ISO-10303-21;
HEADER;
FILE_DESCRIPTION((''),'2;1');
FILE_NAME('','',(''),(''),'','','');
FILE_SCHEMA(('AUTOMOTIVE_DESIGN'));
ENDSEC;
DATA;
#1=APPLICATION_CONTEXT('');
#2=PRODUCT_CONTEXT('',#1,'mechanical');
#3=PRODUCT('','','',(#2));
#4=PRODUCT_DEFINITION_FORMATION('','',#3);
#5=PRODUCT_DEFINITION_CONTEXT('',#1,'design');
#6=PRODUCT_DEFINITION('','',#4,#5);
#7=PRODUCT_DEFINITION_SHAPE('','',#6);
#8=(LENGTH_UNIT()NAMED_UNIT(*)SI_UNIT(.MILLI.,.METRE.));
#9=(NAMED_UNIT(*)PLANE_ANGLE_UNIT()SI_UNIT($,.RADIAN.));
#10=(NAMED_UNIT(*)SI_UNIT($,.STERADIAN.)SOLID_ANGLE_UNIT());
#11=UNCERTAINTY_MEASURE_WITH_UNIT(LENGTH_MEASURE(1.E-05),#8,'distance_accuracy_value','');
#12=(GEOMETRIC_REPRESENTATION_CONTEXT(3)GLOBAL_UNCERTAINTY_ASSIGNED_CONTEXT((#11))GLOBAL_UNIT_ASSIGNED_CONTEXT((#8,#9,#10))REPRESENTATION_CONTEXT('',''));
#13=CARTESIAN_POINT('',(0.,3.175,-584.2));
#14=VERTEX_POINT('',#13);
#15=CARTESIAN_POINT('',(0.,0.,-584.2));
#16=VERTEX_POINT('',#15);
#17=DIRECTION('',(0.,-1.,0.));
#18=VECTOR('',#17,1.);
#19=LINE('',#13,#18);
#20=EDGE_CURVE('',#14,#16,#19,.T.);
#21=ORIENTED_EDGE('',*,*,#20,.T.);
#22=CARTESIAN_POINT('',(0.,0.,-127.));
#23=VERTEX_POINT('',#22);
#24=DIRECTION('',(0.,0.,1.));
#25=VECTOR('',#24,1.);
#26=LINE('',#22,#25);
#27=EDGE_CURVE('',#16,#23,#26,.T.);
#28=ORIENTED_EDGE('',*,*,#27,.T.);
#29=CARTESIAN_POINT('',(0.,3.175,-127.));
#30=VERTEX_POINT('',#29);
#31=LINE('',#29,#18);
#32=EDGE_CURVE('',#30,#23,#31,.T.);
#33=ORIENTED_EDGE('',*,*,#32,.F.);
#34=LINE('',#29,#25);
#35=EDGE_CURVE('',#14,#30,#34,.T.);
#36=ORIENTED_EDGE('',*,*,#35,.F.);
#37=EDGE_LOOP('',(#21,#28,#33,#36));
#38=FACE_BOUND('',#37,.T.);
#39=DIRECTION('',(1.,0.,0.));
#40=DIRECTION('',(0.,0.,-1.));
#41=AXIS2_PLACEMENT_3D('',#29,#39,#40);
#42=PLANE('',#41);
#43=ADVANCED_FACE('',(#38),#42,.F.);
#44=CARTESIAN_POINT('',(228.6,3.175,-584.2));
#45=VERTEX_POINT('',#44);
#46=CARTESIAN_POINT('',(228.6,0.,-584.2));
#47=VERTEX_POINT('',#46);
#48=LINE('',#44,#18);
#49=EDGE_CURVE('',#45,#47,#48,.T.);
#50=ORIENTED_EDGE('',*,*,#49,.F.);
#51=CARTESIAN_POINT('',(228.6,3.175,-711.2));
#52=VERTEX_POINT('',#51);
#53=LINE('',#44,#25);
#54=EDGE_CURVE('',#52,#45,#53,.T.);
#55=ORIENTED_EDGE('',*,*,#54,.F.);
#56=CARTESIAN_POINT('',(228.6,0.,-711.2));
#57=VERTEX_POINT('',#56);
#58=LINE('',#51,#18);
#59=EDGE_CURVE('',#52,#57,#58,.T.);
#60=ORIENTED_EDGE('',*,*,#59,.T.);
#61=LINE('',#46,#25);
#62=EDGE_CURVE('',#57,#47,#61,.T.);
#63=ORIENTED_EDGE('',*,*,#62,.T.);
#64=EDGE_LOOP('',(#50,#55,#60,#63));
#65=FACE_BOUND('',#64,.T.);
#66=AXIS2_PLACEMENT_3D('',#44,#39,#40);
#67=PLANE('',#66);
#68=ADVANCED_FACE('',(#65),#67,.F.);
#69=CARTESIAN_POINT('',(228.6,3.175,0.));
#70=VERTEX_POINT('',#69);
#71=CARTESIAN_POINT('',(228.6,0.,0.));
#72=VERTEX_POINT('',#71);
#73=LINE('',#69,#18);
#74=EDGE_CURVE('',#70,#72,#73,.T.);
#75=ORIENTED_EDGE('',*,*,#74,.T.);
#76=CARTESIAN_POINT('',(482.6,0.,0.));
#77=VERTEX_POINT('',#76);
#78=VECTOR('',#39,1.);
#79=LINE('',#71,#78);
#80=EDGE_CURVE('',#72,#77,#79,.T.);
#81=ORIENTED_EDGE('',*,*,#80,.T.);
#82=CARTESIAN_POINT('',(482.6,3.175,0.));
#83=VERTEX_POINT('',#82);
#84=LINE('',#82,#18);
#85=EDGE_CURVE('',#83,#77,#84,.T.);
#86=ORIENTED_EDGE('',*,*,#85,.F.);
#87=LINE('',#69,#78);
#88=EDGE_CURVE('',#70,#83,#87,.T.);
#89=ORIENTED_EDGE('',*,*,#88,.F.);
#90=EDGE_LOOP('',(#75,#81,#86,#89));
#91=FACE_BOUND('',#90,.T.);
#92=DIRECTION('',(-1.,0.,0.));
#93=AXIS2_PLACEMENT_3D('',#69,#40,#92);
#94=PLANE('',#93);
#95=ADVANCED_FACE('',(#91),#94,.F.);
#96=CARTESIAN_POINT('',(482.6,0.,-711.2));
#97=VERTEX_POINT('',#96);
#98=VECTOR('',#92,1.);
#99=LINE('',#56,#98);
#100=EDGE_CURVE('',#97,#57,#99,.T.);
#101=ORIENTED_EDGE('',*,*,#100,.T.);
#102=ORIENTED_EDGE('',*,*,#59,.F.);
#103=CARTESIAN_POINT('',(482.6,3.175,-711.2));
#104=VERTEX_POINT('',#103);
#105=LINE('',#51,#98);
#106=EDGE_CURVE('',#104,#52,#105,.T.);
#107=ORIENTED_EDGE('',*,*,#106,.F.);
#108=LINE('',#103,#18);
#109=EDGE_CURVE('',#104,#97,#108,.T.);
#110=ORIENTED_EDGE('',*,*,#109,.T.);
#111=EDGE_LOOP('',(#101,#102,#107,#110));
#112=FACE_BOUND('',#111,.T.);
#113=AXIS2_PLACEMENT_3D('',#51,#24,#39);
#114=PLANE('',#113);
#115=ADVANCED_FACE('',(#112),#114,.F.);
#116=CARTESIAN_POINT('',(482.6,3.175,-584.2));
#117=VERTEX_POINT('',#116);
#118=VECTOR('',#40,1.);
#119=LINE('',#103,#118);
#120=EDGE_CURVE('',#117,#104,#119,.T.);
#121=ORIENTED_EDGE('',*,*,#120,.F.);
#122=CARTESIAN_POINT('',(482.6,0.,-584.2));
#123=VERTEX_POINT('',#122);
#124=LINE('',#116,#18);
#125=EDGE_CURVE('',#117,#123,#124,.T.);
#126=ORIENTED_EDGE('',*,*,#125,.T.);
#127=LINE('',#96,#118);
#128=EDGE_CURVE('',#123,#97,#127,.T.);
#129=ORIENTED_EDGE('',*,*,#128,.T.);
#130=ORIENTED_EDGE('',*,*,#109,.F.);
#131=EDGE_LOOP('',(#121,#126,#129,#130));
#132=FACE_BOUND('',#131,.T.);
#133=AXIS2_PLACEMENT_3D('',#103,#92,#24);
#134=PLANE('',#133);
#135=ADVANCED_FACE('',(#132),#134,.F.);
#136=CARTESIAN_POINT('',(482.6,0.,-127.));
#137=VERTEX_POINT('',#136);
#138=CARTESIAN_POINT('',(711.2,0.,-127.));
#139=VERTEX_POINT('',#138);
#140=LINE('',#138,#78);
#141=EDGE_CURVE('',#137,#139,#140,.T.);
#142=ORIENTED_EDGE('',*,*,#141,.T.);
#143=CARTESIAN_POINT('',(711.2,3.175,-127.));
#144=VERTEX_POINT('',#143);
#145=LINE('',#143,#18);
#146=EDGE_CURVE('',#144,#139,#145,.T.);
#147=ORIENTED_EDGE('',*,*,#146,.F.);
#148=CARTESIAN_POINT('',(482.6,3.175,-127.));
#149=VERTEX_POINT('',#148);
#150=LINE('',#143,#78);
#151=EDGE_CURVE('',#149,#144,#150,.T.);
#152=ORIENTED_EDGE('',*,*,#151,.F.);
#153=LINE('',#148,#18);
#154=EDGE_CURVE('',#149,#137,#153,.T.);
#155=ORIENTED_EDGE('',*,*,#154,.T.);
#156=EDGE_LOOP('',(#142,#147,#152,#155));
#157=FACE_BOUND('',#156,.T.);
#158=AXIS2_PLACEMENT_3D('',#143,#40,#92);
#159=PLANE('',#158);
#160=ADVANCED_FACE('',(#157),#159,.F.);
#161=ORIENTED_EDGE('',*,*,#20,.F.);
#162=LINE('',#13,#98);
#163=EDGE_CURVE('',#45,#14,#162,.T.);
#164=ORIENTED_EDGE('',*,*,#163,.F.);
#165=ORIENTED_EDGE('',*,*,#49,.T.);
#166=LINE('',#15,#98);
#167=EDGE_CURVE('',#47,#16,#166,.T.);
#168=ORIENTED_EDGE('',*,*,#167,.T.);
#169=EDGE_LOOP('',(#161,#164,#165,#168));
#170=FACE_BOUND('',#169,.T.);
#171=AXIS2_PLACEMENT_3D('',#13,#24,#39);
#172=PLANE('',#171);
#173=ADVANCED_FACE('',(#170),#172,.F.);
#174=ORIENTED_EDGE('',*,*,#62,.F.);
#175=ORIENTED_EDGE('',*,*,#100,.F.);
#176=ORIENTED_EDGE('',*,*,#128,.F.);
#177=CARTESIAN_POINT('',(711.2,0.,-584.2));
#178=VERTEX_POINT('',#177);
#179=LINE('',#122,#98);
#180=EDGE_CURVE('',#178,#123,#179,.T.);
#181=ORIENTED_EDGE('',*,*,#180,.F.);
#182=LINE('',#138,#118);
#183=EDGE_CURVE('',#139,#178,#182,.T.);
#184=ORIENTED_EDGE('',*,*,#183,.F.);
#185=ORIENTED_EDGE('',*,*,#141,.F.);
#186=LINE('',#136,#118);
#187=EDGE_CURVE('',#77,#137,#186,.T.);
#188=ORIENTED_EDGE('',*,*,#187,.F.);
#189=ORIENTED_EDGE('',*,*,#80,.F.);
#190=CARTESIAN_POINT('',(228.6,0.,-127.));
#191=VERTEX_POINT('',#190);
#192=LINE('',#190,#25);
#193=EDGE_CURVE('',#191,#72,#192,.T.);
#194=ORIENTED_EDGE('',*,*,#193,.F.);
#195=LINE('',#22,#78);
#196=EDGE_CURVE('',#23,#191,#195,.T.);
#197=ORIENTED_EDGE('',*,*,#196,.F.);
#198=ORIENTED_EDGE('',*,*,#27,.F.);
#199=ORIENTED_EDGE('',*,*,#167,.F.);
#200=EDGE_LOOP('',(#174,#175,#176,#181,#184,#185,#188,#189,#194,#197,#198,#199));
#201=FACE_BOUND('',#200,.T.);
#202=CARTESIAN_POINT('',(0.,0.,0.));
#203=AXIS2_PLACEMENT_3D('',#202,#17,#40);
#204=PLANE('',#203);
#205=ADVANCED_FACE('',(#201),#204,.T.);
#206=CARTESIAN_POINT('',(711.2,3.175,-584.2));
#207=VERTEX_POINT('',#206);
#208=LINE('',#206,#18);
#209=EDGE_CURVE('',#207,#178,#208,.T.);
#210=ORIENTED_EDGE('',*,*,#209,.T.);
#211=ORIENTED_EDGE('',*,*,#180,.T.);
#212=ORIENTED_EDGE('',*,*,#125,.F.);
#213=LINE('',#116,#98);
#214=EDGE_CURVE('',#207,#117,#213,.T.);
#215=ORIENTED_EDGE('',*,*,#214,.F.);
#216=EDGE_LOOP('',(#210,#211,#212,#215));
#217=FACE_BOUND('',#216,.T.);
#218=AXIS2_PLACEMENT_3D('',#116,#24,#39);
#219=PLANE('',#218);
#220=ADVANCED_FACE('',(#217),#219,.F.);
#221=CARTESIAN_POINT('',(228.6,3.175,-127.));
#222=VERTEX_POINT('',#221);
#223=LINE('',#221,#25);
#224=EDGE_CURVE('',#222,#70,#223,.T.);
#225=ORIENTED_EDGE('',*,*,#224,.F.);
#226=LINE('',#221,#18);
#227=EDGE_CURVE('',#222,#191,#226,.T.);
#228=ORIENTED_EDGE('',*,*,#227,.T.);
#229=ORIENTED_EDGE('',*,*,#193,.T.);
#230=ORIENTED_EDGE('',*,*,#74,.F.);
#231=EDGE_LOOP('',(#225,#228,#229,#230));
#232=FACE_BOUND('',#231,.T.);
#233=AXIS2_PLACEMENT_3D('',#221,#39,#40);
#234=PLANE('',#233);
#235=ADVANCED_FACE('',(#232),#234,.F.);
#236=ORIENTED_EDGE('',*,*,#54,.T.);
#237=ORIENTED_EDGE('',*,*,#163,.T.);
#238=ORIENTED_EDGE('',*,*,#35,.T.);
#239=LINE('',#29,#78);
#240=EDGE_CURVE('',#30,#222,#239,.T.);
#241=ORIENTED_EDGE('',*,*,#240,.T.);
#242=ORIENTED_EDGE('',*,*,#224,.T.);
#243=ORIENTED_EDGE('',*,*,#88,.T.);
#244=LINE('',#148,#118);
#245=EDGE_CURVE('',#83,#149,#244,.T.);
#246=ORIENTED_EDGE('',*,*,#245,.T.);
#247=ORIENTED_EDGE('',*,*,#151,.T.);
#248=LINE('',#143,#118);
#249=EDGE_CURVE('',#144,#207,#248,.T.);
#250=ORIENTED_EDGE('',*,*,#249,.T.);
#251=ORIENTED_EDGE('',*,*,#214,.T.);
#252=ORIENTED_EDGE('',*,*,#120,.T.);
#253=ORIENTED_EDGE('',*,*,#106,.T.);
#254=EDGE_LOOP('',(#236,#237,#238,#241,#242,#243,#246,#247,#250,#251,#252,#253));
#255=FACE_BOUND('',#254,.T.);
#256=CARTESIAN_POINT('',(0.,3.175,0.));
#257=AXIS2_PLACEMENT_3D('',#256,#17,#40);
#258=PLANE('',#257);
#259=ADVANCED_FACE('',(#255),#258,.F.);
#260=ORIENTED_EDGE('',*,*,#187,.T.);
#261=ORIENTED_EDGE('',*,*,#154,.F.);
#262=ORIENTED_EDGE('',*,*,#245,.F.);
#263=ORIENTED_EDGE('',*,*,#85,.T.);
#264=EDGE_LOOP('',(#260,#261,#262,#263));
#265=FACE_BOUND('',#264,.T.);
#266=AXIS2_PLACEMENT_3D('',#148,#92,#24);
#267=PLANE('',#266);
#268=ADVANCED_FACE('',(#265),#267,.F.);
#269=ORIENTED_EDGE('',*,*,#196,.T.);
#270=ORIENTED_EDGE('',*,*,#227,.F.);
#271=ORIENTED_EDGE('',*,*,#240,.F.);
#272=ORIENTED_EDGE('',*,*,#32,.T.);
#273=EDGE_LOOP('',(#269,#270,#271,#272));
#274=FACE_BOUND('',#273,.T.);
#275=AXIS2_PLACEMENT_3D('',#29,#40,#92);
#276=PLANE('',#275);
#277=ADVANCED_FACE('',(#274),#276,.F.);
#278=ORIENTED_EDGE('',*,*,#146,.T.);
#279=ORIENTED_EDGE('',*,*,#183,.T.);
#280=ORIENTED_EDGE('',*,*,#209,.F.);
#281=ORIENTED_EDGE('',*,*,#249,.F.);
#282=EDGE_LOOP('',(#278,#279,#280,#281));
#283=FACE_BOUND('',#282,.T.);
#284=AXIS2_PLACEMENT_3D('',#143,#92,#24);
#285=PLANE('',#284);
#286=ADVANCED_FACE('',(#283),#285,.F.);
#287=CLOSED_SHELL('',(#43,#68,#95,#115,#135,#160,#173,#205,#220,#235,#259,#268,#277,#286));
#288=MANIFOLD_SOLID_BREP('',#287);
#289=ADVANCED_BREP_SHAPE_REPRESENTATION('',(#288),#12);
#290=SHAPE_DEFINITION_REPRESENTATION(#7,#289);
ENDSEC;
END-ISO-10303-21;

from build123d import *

# Parameters (mm, degrees)
BOSS_EXTRUDE1_DEPTH = 3.175


with BuildPart() as part:
    # Sketch1 → Boss-Extrude1 (new body)
    with BuildSketch(Plane(origin=(0, 0, 0), x_dir=(1, 0, 0), z_dir=(0, 1, 0))):
        Polygon((0, 584.2), (228.6, 584.2), (228.6, 711.2), (482.6, 711.2), (482.6, 584.2), (711.2, 584.2), (711.2, 127), (482.6, 127), (482.6, 0), (228.6, 0), (228.6, 127), (0, 127), align=None)
    extrude(amount=BOSS_EXTRUDE1_DEPTH)


solid = part.part
